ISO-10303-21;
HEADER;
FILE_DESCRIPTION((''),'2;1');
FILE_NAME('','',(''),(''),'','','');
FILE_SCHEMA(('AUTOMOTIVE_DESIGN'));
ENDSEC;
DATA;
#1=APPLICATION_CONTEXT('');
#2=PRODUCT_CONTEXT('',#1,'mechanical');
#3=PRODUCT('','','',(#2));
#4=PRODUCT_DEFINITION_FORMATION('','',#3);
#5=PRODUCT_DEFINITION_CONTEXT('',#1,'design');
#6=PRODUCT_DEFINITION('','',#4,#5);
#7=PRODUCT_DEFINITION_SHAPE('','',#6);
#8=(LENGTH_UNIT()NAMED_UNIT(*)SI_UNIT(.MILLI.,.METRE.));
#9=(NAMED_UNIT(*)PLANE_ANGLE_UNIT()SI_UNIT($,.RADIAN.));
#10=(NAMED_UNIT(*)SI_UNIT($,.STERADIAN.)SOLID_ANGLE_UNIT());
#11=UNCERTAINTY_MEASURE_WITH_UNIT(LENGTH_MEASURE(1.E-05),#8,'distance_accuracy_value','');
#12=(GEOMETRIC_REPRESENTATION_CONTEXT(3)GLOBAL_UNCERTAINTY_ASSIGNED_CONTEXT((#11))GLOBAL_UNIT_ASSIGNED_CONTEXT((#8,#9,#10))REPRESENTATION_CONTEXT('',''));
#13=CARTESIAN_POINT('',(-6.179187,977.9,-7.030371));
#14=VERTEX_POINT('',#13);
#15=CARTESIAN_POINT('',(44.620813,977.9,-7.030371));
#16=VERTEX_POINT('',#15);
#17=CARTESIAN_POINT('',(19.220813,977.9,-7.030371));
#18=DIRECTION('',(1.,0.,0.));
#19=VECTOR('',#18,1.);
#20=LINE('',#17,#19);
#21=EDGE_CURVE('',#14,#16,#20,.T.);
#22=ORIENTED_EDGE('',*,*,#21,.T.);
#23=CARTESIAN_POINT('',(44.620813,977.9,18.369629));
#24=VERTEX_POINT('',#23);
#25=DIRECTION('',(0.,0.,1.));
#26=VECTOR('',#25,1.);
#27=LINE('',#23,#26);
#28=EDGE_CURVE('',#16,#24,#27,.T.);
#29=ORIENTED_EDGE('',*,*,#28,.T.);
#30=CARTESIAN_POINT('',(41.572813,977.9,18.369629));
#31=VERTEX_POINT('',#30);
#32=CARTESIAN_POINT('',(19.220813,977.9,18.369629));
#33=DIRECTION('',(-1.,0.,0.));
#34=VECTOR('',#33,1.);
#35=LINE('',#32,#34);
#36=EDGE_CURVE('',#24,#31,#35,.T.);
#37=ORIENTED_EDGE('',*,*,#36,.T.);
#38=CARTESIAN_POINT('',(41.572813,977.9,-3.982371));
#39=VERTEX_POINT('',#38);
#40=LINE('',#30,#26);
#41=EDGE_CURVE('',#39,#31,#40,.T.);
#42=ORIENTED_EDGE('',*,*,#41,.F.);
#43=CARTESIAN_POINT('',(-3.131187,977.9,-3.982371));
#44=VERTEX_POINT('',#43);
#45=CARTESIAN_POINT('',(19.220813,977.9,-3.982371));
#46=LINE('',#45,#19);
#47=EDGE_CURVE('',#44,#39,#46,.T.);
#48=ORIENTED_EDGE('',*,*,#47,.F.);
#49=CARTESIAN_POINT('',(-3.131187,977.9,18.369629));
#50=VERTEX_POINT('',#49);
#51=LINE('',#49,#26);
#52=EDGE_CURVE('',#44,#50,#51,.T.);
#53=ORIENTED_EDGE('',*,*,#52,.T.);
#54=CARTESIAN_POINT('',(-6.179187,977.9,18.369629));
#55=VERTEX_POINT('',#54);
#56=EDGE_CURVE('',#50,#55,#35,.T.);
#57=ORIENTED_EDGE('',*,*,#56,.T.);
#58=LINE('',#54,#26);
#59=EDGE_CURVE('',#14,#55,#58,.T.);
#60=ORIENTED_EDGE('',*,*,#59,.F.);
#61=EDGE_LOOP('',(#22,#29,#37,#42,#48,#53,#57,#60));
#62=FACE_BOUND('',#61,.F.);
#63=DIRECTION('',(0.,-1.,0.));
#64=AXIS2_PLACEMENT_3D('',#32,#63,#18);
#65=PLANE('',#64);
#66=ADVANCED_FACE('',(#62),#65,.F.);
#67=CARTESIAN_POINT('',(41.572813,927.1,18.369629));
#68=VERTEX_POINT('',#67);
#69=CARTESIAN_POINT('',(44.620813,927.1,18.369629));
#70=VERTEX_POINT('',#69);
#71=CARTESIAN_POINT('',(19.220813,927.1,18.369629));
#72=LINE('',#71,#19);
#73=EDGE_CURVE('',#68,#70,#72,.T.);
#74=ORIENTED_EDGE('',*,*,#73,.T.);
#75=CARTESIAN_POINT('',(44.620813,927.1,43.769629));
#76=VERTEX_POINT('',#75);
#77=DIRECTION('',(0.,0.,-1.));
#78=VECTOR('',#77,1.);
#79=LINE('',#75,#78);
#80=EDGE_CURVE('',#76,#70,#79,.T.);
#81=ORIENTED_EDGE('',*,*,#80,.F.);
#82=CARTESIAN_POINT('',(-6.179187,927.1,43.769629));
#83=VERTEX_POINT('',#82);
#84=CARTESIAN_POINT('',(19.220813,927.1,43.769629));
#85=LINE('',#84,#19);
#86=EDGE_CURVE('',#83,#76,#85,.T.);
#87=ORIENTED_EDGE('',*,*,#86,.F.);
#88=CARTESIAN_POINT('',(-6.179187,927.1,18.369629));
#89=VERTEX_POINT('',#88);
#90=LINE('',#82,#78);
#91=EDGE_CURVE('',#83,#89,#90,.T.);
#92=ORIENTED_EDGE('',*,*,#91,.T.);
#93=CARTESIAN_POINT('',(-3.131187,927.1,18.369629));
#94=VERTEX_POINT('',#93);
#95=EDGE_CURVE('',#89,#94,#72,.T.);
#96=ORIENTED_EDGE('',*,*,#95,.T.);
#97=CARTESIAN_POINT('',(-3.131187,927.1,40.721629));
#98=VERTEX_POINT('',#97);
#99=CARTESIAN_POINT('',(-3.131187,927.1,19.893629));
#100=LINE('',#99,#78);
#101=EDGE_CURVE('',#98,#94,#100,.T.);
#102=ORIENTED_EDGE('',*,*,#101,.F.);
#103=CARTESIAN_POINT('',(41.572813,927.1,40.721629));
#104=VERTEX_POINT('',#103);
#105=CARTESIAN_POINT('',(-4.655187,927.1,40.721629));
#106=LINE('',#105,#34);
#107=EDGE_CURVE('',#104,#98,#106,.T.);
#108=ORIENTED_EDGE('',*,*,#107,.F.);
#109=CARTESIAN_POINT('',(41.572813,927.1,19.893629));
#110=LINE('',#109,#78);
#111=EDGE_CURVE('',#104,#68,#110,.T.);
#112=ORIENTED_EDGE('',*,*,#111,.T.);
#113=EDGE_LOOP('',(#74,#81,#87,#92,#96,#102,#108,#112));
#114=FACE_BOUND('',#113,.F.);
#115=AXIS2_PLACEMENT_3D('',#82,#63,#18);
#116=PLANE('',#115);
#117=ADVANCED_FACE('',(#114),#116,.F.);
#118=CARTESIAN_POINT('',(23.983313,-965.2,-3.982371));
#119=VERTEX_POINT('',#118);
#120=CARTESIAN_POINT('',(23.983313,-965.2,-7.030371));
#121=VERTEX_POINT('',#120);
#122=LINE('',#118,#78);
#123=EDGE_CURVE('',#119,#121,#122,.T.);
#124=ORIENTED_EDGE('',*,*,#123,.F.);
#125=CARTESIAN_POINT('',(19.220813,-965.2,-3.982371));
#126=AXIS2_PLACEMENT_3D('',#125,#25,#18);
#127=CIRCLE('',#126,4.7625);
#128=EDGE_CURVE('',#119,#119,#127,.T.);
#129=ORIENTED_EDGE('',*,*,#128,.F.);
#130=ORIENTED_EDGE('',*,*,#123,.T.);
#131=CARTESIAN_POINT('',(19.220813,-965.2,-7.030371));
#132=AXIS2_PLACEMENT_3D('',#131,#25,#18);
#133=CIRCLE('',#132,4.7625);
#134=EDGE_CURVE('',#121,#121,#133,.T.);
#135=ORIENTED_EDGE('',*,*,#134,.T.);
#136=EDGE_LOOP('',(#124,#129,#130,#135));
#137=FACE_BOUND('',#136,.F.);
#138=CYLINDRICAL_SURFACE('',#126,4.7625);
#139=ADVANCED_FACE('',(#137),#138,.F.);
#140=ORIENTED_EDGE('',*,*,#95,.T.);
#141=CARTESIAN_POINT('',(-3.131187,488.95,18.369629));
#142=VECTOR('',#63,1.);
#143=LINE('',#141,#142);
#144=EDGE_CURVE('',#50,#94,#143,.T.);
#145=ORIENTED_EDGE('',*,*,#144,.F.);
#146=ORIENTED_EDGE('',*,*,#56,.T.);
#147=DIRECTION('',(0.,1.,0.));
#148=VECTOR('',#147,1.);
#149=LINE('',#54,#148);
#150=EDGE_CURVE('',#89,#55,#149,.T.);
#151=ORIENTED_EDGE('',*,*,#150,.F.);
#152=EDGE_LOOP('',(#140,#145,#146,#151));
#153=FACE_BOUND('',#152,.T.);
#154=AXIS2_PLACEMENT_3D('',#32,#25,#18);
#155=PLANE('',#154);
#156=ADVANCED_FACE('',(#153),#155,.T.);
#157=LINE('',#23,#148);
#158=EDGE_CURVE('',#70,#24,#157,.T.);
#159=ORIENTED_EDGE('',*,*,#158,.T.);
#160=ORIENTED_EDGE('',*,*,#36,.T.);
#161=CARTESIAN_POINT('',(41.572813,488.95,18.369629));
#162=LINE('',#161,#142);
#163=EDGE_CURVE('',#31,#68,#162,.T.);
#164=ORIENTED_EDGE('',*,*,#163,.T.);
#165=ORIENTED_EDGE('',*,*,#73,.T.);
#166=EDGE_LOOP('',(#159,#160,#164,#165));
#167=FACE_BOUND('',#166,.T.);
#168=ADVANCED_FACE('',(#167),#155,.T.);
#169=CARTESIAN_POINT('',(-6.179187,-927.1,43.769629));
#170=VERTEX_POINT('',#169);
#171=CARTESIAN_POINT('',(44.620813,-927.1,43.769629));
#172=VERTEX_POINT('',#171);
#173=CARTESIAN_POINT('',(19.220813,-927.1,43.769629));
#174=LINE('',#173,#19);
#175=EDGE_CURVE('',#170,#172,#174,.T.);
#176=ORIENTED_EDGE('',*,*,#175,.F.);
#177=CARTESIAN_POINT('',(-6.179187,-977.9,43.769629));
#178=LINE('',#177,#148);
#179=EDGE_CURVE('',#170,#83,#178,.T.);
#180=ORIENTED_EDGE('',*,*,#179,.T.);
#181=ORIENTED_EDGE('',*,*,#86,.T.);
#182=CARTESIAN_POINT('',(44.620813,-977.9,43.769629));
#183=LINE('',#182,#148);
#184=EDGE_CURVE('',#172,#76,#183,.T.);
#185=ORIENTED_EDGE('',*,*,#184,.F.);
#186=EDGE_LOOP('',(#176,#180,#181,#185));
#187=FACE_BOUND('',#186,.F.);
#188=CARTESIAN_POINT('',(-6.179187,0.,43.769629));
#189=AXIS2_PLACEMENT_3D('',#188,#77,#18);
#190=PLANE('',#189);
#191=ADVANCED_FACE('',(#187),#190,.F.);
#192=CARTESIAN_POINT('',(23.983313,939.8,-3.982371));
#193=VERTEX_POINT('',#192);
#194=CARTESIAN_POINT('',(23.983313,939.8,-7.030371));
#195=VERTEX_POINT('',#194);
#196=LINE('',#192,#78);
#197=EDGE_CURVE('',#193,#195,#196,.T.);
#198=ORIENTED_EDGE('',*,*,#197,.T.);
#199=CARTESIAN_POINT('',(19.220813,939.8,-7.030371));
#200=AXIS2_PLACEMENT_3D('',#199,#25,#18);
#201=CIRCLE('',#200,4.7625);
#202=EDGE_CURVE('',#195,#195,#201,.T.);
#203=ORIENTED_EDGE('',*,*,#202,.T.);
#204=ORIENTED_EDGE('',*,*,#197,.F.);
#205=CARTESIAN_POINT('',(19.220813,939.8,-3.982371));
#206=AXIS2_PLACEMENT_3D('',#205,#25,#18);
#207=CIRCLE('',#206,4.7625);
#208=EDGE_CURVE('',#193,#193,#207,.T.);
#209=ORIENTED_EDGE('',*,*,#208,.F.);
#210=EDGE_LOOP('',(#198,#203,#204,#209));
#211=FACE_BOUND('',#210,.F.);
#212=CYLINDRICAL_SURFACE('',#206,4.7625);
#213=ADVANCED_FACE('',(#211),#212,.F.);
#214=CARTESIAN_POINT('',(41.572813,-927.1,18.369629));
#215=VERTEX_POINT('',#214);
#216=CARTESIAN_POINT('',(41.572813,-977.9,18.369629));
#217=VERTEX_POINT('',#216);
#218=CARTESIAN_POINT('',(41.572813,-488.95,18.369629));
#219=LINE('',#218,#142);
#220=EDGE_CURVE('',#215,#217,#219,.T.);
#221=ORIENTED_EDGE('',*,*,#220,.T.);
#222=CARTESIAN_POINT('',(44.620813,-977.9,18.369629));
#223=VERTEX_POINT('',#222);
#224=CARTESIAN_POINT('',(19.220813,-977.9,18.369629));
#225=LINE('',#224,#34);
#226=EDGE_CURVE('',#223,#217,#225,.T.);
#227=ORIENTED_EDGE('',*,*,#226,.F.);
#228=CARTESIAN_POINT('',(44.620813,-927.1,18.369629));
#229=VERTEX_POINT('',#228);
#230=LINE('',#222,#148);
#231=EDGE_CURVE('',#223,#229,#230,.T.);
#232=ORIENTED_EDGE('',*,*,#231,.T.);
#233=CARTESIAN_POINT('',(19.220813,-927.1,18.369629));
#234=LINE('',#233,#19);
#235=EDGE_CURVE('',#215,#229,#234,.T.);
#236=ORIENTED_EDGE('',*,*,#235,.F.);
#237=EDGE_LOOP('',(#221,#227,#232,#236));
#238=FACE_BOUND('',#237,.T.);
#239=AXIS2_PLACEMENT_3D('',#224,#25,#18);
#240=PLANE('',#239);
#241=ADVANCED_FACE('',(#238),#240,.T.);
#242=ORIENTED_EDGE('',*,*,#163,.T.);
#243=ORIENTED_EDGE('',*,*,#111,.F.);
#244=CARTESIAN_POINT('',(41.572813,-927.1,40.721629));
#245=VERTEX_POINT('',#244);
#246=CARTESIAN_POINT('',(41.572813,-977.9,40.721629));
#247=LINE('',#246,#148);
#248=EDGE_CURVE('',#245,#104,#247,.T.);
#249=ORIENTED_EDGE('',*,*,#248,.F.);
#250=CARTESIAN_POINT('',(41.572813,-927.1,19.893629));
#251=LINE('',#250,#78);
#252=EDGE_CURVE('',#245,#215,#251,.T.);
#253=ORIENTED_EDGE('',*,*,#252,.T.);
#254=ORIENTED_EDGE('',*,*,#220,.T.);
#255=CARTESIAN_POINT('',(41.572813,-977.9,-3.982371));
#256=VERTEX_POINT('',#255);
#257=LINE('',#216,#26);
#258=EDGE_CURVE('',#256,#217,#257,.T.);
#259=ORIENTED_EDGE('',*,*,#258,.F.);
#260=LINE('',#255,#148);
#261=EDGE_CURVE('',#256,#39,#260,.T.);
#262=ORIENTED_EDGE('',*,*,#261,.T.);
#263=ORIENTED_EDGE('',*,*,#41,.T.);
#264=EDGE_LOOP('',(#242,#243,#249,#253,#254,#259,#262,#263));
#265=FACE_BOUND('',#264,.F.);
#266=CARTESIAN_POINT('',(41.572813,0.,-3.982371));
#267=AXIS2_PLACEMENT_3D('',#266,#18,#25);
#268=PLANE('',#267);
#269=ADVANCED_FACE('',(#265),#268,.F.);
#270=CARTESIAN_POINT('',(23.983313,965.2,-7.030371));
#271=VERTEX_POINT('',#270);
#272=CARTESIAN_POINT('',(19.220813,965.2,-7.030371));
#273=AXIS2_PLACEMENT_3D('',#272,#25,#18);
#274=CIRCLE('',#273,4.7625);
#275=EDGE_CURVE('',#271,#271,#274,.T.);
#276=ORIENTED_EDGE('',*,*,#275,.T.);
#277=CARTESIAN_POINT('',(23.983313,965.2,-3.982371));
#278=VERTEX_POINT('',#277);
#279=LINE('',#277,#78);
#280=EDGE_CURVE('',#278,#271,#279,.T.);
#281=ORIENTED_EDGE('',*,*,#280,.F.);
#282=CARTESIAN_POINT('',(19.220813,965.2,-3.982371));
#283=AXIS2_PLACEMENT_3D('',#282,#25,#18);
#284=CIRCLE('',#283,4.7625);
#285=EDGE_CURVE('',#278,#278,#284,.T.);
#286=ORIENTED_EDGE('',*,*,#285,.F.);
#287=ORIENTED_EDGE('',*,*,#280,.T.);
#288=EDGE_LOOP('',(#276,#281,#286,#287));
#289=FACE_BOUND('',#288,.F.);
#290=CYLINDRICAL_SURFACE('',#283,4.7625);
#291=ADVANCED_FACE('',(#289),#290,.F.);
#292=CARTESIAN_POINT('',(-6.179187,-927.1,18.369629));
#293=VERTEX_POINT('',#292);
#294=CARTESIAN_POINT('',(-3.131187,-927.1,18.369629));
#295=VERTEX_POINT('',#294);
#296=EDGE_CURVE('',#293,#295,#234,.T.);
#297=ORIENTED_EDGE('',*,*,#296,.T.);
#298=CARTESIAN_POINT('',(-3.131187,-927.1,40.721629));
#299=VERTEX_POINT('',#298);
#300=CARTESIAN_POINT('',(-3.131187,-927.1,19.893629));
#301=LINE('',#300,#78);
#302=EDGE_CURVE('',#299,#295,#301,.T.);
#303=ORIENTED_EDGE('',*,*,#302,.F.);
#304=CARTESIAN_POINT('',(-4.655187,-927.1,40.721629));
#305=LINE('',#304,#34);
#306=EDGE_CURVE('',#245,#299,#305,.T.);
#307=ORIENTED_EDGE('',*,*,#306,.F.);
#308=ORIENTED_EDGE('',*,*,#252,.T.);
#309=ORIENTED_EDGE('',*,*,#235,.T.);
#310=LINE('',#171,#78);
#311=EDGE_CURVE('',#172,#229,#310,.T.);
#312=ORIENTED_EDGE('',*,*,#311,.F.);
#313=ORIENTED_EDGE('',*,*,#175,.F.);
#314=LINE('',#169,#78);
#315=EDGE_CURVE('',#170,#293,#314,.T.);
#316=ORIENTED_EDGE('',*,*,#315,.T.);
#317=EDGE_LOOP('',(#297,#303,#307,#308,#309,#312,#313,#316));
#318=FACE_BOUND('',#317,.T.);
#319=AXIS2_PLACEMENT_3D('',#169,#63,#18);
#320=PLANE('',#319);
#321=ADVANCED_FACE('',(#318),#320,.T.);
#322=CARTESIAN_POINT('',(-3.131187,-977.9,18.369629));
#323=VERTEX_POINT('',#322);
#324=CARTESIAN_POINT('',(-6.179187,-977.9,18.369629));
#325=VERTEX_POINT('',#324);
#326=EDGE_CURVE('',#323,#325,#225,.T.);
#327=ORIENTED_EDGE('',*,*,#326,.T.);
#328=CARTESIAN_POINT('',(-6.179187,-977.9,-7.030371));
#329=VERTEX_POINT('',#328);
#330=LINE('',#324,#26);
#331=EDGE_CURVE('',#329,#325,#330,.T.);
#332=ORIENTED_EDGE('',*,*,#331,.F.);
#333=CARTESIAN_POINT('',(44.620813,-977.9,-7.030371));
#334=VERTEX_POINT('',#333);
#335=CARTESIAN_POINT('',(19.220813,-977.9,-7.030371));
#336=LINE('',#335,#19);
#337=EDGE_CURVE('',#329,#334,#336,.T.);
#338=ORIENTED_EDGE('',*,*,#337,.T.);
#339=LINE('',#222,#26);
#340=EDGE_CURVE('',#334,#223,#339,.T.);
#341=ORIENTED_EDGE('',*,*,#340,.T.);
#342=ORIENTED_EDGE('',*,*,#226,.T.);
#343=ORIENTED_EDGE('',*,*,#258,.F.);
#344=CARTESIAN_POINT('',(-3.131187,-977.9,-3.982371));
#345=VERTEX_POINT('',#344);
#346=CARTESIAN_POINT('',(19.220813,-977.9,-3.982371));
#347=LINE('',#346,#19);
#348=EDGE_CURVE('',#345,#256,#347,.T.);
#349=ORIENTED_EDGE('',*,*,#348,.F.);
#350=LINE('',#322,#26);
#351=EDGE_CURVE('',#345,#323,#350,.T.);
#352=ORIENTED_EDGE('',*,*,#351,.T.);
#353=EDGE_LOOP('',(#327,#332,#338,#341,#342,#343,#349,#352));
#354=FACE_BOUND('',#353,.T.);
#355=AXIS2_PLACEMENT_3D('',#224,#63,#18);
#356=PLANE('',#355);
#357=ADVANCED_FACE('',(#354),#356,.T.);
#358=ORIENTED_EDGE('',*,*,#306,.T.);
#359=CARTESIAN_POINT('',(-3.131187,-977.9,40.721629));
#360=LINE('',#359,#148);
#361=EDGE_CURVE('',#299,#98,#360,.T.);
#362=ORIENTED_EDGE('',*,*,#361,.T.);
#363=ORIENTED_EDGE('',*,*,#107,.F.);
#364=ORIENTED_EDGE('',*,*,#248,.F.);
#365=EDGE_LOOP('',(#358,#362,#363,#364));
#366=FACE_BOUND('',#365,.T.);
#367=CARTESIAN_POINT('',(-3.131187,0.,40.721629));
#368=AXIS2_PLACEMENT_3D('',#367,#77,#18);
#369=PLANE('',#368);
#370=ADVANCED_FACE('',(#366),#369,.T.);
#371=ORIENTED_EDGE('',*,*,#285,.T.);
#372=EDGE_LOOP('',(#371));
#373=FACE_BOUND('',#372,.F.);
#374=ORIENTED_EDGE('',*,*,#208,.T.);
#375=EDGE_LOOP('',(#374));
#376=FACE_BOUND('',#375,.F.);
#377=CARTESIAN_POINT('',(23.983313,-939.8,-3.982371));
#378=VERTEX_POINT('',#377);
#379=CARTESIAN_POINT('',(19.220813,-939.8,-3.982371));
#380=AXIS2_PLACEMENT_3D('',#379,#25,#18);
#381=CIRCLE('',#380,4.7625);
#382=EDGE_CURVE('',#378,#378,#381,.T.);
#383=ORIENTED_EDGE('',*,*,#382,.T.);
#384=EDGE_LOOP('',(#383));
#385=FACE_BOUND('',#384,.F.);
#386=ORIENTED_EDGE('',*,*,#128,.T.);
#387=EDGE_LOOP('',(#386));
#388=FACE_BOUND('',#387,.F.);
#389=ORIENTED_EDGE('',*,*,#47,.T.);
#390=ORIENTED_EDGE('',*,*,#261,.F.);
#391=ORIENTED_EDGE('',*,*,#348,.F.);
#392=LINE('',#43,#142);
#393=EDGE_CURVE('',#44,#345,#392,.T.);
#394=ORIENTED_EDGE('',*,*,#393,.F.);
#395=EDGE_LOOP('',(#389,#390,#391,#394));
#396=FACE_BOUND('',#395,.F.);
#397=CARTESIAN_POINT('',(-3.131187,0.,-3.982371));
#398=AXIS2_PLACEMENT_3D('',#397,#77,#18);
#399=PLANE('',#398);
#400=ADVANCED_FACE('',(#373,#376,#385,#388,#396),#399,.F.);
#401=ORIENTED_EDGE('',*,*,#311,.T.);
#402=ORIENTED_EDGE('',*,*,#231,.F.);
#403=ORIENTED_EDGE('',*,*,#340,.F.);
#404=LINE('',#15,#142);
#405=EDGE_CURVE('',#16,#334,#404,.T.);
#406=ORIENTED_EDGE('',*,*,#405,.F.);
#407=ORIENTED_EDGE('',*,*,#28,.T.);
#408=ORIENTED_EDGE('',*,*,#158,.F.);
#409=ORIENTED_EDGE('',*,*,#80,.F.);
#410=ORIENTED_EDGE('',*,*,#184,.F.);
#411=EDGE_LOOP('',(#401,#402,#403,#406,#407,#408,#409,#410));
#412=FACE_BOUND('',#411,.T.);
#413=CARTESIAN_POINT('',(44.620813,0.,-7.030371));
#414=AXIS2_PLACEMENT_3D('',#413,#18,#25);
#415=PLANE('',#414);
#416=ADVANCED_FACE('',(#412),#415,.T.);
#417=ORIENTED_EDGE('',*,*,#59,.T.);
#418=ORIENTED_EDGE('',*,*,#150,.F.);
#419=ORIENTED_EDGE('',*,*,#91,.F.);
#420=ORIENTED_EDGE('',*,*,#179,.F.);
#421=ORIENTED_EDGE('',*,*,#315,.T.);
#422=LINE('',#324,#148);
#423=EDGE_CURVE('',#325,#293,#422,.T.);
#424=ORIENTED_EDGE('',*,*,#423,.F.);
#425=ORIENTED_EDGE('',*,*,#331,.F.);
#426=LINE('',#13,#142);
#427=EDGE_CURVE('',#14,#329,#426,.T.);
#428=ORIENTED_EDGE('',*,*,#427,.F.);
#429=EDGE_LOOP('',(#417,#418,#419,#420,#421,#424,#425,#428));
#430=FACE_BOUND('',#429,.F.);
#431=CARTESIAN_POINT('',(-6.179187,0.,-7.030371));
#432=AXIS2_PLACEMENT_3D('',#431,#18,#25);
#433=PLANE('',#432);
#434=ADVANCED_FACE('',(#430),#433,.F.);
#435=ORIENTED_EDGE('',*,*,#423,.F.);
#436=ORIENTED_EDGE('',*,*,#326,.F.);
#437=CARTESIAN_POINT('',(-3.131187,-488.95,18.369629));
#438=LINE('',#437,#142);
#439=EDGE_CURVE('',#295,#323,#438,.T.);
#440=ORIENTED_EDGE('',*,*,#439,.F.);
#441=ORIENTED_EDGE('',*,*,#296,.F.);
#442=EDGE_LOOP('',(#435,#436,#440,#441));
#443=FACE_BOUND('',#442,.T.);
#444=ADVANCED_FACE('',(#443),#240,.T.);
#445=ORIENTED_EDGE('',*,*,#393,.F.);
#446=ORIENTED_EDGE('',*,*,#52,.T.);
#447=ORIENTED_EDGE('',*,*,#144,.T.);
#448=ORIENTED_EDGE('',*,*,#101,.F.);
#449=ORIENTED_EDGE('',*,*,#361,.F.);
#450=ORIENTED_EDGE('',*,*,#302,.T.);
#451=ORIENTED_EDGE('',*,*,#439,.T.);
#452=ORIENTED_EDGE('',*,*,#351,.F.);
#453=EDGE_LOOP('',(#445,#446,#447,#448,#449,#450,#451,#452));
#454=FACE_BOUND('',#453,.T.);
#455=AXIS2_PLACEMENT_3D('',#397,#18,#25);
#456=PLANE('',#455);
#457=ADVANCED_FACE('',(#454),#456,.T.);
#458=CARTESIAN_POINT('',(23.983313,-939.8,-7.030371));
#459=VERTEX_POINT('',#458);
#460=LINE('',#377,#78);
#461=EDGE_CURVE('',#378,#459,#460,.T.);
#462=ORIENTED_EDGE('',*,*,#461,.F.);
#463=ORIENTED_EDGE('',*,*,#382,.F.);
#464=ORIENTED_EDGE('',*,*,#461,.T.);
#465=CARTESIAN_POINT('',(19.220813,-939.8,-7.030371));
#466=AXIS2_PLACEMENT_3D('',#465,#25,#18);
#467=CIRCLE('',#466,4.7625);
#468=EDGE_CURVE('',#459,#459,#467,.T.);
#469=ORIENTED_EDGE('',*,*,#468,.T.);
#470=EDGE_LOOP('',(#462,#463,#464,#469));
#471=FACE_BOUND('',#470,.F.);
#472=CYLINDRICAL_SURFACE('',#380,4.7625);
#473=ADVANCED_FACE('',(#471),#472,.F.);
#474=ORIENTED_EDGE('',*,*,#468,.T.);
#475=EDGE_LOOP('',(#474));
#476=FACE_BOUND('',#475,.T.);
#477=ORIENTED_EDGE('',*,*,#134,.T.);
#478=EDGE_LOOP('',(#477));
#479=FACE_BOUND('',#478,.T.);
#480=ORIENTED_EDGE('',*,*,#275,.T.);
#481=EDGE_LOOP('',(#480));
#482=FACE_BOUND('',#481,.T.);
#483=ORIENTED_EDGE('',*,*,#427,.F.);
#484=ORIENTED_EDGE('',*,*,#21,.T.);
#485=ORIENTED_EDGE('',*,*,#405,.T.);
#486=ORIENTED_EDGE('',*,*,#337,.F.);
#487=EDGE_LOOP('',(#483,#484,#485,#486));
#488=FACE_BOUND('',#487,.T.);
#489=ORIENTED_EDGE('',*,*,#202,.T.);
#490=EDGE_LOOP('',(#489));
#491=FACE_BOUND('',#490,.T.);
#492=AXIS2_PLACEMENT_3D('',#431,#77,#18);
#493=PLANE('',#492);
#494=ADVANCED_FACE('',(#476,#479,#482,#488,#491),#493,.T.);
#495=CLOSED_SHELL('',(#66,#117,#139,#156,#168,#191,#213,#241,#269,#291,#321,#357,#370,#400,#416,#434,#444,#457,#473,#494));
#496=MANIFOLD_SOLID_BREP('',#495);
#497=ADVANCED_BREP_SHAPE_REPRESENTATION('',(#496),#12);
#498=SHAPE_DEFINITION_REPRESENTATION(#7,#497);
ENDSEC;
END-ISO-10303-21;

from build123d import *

# Parameters (mm, degrees)
F0_W     = 50.8
F0_H     = 50.8
F0_W_2   = 44.704
F0_H_2   = 44.704
F1_DEPTH = 977.9
F2_R     = 4.7625
F3_DEPTH = 25.4
F4_W     = 50.8
F4_H     = 101.6
F5_DEPTH = 25.4


with BuildPart() as f1:
    # F0 (on Front) → F1 (new body, symmetric)
    with BuildSketch(Plane.XZ):
        with Locations((19.2208130826, 18.3696289983)):
            Rectangle(F0_W, F0_H)
        with Locations((19.2208130826, 18.3696289983)):
            Rectangle(F0_W_2, F0_H_2, mode=Mode.SUBTRACT)
    extrude(amount=F1_DEPTH, both=True)

    # F2 (on face) → F3 (cut)
    with BuildSketch(Plane.XY.offset(-3.9823710017)):
        with Locations((19.2208130826, -965.2)):
            Circle(F2_R)
        with Locations((19.2208130826, -939.8)):
            Circle(F2_R)
        with Locations((19.2208130826, 965.2)):
            Circle(F2_R)
        with Locations((19.2208130826, 939.8)):
            Circle(F2_R)
    extrude(amount=-F3_DEPTH, mode=Mode.SUBTRACT)

    # F4 (on face) → F5 (cut)
    with BuildSketch(Plane.XY.offset(43.7696289983)):
        with Locations((19.2208130826, -977.9)):
            Rectangle(F4_W, F4_H)
        with Locations((19.2208130826, 977.9)):
            Rectangle(F4_W, F4_H)
    extrude(amount=-F5_DEPTH, mode=Mode.SUBTRACT)


solid = f1.part
